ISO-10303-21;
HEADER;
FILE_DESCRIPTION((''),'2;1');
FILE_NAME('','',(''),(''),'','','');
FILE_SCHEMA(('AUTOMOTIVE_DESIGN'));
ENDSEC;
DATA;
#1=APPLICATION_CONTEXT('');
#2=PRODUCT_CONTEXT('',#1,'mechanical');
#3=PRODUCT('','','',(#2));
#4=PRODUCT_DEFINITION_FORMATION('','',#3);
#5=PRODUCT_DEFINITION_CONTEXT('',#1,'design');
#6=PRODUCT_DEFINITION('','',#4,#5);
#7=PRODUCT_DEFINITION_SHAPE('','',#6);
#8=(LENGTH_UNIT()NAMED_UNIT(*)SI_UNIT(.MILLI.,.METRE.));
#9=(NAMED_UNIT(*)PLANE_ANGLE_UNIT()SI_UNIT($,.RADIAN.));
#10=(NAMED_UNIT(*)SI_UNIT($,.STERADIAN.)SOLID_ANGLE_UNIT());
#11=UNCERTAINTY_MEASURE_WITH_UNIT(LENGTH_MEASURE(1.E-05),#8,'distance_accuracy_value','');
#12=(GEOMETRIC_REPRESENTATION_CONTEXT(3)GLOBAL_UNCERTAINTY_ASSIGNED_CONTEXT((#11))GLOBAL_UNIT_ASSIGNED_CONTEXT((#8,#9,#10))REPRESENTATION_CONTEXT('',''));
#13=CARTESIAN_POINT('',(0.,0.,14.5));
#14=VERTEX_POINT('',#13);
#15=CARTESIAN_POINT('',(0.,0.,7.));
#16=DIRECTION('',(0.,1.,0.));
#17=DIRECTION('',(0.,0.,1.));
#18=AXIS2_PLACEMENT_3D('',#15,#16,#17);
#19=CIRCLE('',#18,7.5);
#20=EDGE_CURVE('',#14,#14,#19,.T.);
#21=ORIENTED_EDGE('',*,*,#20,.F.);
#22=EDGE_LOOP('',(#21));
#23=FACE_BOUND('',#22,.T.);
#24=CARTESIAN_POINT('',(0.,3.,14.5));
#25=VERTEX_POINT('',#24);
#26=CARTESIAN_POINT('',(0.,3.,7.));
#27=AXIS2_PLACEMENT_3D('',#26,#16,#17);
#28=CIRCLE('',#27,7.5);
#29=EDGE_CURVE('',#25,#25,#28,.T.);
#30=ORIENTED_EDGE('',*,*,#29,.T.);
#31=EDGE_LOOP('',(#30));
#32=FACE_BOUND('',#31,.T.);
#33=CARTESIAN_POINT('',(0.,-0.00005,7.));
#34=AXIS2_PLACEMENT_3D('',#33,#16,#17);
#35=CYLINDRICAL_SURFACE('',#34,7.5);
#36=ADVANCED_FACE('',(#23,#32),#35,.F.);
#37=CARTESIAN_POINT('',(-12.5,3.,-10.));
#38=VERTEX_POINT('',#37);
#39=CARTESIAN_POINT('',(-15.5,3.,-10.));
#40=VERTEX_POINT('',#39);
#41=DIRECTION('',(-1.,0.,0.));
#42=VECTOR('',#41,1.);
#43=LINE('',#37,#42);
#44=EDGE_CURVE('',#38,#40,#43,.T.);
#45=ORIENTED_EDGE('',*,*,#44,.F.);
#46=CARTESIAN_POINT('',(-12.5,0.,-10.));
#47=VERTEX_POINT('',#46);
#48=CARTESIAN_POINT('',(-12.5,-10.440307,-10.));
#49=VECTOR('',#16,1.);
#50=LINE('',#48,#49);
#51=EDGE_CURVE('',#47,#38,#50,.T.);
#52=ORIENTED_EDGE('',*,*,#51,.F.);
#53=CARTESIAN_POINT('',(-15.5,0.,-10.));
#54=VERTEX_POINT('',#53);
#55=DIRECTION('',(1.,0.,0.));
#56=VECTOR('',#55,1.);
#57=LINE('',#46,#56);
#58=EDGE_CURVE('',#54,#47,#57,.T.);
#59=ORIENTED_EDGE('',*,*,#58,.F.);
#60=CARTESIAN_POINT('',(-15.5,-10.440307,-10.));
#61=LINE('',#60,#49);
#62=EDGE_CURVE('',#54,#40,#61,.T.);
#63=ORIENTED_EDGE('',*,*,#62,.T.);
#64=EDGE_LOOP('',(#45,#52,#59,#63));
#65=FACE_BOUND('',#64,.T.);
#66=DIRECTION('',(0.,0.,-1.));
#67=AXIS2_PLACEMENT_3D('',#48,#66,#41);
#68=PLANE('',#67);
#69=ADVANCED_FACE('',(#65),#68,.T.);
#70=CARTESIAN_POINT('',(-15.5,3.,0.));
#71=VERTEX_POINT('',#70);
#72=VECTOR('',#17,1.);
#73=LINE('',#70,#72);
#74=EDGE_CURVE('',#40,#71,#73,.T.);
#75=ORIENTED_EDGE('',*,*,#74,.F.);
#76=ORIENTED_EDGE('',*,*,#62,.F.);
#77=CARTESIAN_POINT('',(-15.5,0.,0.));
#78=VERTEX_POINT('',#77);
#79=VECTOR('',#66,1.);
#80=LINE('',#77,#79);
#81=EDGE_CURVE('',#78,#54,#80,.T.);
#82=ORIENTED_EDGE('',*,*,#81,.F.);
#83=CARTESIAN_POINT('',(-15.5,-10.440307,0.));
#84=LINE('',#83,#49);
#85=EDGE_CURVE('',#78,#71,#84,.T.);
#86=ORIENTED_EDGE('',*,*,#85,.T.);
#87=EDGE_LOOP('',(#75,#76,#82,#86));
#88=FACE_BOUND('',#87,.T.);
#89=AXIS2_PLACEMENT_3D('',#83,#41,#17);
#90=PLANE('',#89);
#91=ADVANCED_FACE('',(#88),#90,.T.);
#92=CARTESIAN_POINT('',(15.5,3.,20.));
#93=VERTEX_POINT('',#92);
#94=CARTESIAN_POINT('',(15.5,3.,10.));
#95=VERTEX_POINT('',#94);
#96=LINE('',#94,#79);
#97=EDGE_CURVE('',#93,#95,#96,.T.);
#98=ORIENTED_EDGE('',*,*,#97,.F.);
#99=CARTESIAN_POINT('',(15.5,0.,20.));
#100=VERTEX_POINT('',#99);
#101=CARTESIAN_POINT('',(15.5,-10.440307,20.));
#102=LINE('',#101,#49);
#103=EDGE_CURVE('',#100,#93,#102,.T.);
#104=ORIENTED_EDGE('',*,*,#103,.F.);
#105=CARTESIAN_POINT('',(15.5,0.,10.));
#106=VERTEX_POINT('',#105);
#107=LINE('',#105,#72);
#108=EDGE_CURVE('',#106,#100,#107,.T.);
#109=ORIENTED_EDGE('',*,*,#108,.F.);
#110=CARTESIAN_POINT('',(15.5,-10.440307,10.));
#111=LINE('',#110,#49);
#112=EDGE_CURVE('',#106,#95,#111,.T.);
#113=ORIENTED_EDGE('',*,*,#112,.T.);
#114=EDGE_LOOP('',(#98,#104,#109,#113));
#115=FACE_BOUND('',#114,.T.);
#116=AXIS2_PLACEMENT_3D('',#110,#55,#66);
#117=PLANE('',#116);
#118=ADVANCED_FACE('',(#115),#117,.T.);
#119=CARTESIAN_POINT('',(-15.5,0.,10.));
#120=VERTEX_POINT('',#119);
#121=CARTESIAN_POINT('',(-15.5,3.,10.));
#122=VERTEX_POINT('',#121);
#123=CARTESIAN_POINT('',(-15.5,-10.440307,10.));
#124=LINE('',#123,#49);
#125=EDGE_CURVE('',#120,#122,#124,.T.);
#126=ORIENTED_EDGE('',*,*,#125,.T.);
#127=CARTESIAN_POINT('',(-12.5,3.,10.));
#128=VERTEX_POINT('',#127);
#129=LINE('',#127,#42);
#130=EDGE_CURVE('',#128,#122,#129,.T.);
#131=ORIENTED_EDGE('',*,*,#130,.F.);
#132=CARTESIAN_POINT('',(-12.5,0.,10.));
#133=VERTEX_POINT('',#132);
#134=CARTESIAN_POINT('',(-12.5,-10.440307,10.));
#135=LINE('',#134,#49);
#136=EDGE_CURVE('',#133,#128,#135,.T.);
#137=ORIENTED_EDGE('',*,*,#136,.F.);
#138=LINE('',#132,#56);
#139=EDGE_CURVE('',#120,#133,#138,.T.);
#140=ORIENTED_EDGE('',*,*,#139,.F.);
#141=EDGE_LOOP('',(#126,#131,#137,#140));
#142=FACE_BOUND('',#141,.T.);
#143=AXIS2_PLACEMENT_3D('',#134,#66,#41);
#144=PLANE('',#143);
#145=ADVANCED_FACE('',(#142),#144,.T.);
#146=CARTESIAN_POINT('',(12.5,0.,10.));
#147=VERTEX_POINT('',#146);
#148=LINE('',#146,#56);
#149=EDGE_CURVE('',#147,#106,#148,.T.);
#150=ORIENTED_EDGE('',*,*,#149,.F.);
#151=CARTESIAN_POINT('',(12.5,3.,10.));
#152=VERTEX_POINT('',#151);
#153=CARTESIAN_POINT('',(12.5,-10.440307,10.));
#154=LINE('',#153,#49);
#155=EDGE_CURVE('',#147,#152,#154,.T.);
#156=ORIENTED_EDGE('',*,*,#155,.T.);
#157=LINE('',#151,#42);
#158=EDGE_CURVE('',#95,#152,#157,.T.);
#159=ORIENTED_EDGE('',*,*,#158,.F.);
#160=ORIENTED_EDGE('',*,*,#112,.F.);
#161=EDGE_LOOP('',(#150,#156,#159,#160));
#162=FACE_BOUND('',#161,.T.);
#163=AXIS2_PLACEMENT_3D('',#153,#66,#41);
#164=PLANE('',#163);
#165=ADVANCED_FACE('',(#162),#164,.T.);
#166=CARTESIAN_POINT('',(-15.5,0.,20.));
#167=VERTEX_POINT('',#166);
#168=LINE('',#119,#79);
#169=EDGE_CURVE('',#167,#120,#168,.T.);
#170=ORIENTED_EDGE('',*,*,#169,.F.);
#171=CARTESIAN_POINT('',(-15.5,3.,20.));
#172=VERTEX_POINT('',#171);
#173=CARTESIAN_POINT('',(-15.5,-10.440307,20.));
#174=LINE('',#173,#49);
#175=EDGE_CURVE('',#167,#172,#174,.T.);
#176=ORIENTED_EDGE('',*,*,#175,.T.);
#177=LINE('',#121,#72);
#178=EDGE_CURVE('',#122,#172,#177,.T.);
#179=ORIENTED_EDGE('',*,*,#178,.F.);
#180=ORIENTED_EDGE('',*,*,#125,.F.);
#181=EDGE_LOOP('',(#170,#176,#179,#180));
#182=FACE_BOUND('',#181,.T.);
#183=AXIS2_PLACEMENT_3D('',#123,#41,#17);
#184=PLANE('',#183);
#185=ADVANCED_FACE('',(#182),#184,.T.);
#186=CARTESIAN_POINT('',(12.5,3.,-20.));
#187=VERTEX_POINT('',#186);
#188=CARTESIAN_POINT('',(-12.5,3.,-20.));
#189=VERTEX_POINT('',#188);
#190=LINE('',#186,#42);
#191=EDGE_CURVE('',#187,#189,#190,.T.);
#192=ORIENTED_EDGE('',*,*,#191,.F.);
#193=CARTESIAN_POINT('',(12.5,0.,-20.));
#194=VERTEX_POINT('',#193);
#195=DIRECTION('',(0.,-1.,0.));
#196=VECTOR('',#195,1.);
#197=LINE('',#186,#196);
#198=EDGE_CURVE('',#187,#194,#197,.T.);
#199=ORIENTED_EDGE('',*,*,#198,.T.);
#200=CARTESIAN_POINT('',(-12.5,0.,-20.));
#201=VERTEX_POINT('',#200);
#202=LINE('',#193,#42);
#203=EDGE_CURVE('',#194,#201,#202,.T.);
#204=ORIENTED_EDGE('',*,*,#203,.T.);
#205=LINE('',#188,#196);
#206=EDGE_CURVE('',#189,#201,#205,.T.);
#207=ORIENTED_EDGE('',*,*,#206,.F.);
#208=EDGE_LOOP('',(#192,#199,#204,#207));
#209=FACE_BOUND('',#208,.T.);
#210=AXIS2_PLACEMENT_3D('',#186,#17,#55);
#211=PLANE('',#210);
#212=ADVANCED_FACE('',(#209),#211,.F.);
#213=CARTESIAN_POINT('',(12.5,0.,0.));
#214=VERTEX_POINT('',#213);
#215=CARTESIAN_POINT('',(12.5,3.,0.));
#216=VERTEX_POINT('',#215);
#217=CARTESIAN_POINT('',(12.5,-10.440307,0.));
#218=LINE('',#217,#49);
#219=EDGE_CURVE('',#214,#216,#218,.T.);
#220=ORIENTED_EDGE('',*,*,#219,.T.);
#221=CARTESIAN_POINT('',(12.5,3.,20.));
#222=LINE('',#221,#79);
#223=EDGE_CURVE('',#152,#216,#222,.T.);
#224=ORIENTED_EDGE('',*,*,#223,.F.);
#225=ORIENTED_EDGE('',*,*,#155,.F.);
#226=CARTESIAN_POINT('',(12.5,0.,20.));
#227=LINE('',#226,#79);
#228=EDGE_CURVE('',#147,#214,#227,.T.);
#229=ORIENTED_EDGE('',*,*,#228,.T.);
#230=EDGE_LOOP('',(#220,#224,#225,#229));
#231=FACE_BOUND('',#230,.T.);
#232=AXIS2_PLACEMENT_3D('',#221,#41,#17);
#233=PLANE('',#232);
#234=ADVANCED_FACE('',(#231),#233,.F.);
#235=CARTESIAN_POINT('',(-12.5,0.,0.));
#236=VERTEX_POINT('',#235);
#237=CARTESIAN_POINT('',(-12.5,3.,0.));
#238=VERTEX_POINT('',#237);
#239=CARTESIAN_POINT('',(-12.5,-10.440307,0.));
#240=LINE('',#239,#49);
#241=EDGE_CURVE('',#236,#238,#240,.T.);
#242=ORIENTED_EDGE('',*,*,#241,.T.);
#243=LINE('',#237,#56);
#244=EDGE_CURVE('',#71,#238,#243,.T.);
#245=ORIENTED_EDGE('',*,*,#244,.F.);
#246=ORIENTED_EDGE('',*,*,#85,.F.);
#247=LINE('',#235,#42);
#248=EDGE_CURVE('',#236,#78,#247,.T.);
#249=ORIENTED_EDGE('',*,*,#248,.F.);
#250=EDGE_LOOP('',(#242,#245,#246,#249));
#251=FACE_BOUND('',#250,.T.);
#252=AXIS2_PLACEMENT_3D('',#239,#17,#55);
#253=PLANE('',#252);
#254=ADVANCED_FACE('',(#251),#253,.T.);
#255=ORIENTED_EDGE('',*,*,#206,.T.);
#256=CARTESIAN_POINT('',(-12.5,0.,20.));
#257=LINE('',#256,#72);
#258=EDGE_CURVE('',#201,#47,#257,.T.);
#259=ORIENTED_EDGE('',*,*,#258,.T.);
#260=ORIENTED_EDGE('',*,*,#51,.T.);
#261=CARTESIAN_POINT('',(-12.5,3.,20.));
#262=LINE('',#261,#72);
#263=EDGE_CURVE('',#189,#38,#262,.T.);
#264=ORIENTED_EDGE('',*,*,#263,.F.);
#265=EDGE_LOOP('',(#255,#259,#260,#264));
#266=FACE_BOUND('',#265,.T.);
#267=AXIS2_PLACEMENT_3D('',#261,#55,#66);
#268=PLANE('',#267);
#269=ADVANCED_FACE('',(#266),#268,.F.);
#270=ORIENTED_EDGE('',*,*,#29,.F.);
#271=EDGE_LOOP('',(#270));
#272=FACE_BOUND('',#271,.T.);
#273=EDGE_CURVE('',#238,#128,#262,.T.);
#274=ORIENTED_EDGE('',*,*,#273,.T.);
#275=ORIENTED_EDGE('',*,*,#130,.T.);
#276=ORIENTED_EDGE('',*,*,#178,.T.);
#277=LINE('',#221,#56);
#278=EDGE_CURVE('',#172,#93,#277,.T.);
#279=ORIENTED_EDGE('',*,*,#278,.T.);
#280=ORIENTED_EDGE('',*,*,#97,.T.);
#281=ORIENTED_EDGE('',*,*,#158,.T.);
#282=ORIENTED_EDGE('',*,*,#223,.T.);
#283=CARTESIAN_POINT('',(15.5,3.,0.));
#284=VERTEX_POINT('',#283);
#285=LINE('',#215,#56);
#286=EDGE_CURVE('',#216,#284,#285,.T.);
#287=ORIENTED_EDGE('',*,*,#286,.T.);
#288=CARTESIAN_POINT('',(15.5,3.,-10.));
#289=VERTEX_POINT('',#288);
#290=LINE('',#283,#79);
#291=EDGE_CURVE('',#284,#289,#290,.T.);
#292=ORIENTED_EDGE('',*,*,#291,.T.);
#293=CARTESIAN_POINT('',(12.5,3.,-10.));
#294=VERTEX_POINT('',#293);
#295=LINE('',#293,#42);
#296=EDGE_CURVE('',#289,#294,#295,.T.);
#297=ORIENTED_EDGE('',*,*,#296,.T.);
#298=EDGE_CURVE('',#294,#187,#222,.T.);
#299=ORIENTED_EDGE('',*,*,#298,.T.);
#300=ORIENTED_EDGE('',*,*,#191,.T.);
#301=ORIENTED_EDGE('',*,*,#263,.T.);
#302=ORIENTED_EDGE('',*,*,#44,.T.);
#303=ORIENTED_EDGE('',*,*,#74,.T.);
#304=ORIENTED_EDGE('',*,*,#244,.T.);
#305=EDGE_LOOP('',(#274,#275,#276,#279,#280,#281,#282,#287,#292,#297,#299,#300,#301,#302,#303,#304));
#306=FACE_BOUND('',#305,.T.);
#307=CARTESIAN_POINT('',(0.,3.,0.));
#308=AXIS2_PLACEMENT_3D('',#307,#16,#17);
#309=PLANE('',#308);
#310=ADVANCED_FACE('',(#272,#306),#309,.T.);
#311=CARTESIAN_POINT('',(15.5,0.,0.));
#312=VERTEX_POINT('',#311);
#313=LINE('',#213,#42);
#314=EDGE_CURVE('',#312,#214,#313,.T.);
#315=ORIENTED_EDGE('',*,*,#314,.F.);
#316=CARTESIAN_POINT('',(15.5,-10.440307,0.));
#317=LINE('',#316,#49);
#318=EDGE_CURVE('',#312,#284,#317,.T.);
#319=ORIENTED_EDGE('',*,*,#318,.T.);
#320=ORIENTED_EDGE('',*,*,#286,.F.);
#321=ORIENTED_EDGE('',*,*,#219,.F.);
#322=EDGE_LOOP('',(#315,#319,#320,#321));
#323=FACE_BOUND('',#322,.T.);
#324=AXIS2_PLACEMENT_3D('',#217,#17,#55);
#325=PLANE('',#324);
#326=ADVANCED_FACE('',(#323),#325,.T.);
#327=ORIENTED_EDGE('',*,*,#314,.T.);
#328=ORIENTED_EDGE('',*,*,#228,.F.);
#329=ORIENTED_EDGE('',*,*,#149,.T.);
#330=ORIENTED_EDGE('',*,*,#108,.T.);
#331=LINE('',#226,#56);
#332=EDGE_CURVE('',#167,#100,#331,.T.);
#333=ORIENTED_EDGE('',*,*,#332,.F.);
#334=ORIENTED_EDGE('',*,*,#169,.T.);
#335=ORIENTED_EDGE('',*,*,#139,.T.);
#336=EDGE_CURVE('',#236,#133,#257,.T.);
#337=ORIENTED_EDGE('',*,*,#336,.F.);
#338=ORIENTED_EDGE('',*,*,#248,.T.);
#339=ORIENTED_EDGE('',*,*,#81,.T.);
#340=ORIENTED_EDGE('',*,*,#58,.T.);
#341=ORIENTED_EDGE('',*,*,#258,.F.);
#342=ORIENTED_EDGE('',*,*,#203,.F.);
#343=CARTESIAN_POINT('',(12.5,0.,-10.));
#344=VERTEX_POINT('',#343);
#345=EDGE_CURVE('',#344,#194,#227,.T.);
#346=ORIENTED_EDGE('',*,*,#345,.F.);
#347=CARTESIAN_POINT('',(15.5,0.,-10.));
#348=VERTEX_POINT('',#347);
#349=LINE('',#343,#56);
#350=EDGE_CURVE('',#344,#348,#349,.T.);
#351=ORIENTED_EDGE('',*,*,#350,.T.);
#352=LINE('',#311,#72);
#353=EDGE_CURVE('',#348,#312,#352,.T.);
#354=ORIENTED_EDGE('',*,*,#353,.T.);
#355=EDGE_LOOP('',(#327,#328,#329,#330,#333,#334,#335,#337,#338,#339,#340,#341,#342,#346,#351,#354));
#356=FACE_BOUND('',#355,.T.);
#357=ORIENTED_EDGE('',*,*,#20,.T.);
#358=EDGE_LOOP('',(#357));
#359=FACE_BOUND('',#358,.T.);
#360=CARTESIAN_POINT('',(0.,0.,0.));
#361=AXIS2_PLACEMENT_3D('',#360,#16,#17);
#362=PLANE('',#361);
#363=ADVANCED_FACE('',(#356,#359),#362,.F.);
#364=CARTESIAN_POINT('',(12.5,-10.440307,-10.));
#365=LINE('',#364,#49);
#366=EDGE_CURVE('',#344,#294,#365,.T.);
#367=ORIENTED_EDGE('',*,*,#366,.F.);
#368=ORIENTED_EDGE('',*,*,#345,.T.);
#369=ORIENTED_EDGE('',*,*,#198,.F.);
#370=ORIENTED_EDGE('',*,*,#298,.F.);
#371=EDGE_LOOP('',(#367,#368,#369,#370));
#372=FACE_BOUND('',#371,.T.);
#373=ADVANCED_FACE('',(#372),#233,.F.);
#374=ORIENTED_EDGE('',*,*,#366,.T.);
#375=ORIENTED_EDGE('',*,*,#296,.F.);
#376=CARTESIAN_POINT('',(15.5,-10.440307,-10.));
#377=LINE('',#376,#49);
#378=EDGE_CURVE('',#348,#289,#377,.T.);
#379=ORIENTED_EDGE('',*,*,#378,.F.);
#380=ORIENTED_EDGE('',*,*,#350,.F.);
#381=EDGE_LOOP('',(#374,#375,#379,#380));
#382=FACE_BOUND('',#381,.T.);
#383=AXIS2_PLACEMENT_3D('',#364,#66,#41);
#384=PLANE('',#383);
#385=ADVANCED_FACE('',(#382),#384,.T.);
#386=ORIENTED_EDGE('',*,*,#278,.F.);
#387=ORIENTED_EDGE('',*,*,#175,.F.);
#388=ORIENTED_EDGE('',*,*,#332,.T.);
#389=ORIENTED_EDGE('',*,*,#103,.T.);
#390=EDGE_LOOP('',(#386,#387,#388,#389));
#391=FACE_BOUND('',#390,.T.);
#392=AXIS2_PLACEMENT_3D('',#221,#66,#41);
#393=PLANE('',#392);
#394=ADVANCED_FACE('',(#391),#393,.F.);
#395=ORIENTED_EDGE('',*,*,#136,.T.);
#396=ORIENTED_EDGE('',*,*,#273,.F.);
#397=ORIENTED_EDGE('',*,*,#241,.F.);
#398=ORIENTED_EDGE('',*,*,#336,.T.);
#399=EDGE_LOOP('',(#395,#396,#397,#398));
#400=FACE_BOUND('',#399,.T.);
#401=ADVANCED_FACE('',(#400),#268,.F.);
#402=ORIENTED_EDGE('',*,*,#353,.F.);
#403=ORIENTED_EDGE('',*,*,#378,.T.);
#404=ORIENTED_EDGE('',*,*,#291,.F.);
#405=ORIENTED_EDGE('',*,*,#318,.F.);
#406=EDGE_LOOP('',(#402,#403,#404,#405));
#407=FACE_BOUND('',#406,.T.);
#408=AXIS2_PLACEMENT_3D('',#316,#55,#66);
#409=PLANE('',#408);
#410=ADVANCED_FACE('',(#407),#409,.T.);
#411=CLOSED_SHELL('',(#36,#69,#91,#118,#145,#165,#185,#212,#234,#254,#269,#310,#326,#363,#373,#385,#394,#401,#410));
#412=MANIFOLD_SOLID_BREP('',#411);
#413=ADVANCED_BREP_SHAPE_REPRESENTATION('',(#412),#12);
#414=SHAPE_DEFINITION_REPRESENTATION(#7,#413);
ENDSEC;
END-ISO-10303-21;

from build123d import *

# Parameters (mm, degrees)
SKETCH1_W           = 25
SKETCH1_H           = 40
BOSS_EXTRUDE1_DEPTH = 3
SKETCH2_W           = 3
SKETCH2_H           = 10
BOSS_EXTRUDE2_DEPTH = 3
SKETCH3_R           = 7.5
CUT_EXTRUDE1_DEPTH  = 4


with BuildPart() as part:
    # Sketch1 → Boss-Extrude1 (new body)
    with BuildSketch(Plane(origin=(0, 0, 0), x_dir=(1, 0, 0), z_dir=(0, 1, 0))):
        Rectangle(SKETCH1_W, SKETCH1_H)
    extrude(amount=BOSS_EXTRUDE1_DEPTH)

    # Sketch2 → Boss-Extrude2 (add)
    with BuildSketch(Plane(origin=(0, 3, 0), x_dir=(1, 0, 0), z_dir=(0, 1, 0))):
        with Locations((14, -15)):
            Rectangle(SKETCH2_W, SKETCH2_H)
        with Locations((14, 5)):
            Rectangle(SKETCH2_W, SKETCH2_H)
        with Locations((-14, -15)):
            Rectangle(SKETCH2_W, SKETCH2_H)
        with Locations((-14, 5)):
            Rectangle(SKETCH2_W, SKETCH2_H)
    extrude(amount=-BOSS_EXTRUDE2_DEPTH)

    # Sketch3 → Cut-Extrude1 (cut, through all)
    with BuildSketch(Plane(origin=(0, 3, 0), x_dir=(1, 0, 0), z_dir=(0, 1, 0))):
        with Locations((0, -7)):
            Circle(SKETCH3_R)
    extrude(amount=-CUT_EXTRUDE1_DEPTH, mode=Mode.SUBTRACT)


solid = part.part
